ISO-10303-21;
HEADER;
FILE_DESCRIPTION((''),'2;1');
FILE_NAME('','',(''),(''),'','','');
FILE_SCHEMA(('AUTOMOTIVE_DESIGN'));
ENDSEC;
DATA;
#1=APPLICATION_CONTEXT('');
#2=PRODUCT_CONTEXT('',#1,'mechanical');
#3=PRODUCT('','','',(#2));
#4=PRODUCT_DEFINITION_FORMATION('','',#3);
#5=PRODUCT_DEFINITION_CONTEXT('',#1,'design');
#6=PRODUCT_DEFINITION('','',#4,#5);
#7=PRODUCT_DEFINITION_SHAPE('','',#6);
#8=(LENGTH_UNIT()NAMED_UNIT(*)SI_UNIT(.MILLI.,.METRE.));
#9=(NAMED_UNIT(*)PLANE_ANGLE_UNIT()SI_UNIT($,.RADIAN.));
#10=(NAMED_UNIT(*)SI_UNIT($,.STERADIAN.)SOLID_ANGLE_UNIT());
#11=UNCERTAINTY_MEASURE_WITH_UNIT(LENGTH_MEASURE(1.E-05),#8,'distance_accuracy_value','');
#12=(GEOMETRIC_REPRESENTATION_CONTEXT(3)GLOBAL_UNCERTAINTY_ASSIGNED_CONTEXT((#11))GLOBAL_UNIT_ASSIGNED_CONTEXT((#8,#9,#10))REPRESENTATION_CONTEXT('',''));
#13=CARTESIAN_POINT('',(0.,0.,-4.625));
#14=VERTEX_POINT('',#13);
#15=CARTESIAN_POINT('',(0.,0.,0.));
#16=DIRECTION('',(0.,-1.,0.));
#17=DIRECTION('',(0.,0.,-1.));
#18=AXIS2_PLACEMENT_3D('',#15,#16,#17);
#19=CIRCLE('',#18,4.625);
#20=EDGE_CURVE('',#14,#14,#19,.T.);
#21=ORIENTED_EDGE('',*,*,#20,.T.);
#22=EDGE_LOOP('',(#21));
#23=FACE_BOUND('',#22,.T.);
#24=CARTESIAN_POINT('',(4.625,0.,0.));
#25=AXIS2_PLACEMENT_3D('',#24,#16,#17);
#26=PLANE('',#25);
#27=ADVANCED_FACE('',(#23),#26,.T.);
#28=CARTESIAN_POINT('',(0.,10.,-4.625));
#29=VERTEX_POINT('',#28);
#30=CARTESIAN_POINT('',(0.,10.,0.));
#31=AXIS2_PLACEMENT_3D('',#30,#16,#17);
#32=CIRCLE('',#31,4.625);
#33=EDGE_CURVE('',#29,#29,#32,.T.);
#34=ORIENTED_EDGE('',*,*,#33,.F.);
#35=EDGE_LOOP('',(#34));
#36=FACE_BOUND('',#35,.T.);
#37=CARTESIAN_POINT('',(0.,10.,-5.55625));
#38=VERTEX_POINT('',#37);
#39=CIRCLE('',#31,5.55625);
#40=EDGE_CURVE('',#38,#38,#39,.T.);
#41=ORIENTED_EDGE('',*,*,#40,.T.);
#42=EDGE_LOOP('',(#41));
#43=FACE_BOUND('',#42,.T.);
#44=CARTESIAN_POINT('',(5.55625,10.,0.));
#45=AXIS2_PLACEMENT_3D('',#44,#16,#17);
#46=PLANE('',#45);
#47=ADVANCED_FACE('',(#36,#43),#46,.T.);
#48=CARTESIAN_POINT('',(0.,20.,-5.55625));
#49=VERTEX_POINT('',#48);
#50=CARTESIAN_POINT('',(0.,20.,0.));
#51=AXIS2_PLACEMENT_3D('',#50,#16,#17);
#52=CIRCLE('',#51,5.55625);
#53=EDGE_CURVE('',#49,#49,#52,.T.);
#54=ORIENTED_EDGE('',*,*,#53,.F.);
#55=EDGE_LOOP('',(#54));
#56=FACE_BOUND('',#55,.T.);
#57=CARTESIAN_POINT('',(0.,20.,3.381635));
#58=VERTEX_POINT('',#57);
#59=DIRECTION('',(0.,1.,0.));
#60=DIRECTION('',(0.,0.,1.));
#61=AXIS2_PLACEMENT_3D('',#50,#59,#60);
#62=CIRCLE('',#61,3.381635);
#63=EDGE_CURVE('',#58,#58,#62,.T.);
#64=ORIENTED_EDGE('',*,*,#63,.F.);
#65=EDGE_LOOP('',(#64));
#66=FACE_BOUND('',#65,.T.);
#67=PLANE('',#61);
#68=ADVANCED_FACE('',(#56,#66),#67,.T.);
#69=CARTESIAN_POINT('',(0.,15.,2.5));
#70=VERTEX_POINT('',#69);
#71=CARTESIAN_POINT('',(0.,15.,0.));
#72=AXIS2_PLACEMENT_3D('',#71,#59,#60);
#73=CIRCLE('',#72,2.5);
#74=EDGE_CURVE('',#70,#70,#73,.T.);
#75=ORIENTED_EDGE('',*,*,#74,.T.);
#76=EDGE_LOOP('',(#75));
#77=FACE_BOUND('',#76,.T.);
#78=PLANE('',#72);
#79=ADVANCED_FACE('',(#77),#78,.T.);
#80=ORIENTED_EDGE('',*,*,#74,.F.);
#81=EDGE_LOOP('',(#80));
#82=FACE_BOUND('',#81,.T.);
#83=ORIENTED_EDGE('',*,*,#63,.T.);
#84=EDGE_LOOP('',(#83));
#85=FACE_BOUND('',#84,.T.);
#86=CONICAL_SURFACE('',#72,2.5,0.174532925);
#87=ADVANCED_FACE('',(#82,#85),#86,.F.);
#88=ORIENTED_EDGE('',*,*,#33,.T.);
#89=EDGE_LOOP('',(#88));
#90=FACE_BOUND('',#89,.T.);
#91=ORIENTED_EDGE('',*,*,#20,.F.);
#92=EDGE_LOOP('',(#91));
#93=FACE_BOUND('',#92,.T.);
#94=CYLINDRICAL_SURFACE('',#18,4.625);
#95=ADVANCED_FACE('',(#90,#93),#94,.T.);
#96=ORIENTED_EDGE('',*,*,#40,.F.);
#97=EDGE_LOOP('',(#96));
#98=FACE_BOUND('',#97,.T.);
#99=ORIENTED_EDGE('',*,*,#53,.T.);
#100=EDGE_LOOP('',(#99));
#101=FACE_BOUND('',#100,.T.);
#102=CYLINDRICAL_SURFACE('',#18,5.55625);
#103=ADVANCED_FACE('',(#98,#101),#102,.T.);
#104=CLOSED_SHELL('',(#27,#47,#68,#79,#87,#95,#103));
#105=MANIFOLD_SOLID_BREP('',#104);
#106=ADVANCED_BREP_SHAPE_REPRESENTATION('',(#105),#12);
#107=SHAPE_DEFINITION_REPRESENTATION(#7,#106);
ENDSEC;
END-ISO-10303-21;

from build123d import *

# Parameters (mm, degrees)
SKETCH2_R          = 2.5
CUT_EXTRUDE1_DEPTH = 5
DRAFT1_ANGLE       = 10


with BuildPart() as part:
    # Sketch1 → Revolve1 (revolve)
    with BuildSketch(Plane.XY, mode=Mode.PRIVATE) as revolve1_sk:
        Polygon((0, 20), (5.55625, 20), (5.55625, 10), (4.625, 10), (4.625, 0), (0, 0), align=None)
    revolve(revolve1_sk.sketch.rotate(Axis((0, 0, 0), (0, 1, 0)), 90), axis=Axis((0, 0, 0), (0, 1, 0)))

    # Sketch2 → Cut-Extrude1 (cut)
    with BuildSketch(Plane(origin=(0, 20, 0), x_dir=(1, 0, 0), z_dir=(0, 1, 0))):
        with Locations(Location((0, 0, 0), (0, 0, 270))):
            Circle(SKETCH2_R)
    extrude(amount=-CUT_EXTRUDE1_DEPTH, mode=Mode.SUBTRACT)

    # Draft1
    draft1_faces = [part.faces().sort_by_distance(p)[0] for p in [
        (0, 17.5, -2.5),
    ]]
    draft(draft1_faces, Plane.ZX.offset(15), DRAFT1_ANGLE)


solid = part.part
